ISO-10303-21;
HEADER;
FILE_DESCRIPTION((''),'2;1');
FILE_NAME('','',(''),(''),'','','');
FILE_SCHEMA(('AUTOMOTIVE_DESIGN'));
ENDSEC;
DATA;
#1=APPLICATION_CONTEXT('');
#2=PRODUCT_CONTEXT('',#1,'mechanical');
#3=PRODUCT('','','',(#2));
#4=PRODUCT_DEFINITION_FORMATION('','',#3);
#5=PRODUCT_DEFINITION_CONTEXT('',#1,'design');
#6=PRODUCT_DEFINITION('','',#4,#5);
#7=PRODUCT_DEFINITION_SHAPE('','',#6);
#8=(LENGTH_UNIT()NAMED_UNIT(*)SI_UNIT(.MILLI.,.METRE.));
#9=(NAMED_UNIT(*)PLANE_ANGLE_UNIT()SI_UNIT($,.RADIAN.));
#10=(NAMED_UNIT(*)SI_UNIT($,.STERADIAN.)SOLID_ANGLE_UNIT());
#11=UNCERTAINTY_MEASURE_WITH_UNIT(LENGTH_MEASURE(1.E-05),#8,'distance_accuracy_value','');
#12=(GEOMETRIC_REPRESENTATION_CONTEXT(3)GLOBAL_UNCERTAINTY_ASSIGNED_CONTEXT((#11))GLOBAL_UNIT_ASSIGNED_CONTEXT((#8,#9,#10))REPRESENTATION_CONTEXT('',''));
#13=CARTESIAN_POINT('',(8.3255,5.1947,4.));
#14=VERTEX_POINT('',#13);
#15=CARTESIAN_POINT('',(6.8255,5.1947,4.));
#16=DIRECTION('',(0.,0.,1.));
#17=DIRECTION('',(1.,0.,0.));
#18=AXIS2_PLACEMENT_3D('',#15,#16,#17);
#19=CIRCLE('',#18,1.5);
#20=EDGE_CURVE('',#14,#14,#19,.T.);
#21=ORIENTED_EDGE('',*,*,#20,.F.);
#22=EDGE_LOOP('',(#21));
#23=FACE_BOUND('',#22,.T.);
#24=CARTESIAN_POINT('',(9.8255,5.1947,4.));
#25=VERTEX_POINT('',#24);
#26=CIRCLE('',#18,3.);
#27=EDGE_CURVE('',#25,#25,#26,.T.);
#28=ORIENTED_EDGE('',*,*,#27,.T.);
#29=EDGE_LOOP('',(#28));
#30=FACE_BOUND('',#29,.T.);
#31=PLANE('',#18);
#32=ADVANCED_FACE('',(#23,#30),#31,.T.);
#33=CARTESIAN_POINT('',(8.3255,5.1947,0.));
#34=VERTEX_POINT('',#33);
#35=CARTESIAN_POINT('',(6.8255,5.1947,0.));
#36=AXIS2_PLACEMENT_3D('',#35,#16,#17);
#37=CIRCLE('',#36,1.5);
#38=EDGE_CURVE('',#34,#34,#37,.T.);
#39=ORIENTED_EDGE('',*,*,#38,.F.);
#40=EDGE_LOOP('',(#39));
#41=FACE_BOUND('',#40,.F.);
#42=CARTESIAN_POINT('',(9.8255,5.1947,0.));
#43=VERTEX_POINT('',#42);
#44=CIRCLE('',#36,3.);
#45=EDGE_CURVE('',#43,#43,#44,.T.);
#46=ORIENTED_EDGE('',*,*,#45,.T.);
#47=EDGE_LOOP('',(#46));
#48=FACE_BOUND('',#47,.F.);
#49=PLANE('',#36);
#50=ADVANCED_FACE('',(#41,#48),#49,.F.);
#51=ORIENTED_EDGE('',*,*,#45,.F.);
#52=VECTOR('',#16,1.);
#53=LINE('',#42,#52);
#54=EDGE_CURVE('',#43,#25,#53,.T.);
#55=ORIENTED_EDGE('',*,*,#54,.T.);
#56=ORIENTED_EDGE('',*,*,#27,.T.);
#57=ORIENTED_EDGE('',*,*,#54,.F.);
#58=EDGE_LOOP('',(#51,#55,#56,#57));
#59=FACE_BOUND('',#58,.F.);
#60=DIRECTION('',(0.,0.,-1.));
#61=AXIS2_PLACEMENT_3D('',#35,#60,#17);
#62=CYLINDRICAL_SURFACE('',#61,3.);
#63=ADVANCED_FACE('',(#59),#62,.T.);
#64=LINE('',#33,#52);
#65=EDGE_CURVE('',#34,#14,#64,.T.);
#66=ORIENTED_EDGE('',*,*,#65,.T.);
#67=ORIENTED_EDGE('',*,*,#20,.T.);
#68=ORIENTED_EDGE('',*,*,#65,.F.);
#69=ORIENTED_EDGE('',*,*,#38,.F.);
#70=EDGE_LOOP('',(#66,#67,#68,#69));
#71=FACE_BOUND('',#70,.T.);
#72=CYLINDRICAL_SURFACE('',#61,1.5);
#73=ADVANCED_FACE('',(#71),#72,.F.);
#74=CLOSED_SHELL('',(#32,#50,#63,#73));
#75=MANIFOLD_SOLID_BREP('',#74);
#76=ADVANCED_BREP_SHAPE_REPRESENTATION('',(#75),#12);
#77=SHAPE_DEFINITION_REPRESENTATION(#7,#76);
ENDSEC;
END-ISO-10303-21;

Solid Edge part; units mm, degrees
sketch "Sketch1" plane through (0, 0, 0) normal (0, 0, 1) x (1, 0, 0)
  circle A0 centre (6.8255, 5.1947) radius 3
  circle A1 centre (6.8255, 5.1947) radius 1.5
extrude "Protrusion1" add sketch "Sketch1" along normal blind 4
